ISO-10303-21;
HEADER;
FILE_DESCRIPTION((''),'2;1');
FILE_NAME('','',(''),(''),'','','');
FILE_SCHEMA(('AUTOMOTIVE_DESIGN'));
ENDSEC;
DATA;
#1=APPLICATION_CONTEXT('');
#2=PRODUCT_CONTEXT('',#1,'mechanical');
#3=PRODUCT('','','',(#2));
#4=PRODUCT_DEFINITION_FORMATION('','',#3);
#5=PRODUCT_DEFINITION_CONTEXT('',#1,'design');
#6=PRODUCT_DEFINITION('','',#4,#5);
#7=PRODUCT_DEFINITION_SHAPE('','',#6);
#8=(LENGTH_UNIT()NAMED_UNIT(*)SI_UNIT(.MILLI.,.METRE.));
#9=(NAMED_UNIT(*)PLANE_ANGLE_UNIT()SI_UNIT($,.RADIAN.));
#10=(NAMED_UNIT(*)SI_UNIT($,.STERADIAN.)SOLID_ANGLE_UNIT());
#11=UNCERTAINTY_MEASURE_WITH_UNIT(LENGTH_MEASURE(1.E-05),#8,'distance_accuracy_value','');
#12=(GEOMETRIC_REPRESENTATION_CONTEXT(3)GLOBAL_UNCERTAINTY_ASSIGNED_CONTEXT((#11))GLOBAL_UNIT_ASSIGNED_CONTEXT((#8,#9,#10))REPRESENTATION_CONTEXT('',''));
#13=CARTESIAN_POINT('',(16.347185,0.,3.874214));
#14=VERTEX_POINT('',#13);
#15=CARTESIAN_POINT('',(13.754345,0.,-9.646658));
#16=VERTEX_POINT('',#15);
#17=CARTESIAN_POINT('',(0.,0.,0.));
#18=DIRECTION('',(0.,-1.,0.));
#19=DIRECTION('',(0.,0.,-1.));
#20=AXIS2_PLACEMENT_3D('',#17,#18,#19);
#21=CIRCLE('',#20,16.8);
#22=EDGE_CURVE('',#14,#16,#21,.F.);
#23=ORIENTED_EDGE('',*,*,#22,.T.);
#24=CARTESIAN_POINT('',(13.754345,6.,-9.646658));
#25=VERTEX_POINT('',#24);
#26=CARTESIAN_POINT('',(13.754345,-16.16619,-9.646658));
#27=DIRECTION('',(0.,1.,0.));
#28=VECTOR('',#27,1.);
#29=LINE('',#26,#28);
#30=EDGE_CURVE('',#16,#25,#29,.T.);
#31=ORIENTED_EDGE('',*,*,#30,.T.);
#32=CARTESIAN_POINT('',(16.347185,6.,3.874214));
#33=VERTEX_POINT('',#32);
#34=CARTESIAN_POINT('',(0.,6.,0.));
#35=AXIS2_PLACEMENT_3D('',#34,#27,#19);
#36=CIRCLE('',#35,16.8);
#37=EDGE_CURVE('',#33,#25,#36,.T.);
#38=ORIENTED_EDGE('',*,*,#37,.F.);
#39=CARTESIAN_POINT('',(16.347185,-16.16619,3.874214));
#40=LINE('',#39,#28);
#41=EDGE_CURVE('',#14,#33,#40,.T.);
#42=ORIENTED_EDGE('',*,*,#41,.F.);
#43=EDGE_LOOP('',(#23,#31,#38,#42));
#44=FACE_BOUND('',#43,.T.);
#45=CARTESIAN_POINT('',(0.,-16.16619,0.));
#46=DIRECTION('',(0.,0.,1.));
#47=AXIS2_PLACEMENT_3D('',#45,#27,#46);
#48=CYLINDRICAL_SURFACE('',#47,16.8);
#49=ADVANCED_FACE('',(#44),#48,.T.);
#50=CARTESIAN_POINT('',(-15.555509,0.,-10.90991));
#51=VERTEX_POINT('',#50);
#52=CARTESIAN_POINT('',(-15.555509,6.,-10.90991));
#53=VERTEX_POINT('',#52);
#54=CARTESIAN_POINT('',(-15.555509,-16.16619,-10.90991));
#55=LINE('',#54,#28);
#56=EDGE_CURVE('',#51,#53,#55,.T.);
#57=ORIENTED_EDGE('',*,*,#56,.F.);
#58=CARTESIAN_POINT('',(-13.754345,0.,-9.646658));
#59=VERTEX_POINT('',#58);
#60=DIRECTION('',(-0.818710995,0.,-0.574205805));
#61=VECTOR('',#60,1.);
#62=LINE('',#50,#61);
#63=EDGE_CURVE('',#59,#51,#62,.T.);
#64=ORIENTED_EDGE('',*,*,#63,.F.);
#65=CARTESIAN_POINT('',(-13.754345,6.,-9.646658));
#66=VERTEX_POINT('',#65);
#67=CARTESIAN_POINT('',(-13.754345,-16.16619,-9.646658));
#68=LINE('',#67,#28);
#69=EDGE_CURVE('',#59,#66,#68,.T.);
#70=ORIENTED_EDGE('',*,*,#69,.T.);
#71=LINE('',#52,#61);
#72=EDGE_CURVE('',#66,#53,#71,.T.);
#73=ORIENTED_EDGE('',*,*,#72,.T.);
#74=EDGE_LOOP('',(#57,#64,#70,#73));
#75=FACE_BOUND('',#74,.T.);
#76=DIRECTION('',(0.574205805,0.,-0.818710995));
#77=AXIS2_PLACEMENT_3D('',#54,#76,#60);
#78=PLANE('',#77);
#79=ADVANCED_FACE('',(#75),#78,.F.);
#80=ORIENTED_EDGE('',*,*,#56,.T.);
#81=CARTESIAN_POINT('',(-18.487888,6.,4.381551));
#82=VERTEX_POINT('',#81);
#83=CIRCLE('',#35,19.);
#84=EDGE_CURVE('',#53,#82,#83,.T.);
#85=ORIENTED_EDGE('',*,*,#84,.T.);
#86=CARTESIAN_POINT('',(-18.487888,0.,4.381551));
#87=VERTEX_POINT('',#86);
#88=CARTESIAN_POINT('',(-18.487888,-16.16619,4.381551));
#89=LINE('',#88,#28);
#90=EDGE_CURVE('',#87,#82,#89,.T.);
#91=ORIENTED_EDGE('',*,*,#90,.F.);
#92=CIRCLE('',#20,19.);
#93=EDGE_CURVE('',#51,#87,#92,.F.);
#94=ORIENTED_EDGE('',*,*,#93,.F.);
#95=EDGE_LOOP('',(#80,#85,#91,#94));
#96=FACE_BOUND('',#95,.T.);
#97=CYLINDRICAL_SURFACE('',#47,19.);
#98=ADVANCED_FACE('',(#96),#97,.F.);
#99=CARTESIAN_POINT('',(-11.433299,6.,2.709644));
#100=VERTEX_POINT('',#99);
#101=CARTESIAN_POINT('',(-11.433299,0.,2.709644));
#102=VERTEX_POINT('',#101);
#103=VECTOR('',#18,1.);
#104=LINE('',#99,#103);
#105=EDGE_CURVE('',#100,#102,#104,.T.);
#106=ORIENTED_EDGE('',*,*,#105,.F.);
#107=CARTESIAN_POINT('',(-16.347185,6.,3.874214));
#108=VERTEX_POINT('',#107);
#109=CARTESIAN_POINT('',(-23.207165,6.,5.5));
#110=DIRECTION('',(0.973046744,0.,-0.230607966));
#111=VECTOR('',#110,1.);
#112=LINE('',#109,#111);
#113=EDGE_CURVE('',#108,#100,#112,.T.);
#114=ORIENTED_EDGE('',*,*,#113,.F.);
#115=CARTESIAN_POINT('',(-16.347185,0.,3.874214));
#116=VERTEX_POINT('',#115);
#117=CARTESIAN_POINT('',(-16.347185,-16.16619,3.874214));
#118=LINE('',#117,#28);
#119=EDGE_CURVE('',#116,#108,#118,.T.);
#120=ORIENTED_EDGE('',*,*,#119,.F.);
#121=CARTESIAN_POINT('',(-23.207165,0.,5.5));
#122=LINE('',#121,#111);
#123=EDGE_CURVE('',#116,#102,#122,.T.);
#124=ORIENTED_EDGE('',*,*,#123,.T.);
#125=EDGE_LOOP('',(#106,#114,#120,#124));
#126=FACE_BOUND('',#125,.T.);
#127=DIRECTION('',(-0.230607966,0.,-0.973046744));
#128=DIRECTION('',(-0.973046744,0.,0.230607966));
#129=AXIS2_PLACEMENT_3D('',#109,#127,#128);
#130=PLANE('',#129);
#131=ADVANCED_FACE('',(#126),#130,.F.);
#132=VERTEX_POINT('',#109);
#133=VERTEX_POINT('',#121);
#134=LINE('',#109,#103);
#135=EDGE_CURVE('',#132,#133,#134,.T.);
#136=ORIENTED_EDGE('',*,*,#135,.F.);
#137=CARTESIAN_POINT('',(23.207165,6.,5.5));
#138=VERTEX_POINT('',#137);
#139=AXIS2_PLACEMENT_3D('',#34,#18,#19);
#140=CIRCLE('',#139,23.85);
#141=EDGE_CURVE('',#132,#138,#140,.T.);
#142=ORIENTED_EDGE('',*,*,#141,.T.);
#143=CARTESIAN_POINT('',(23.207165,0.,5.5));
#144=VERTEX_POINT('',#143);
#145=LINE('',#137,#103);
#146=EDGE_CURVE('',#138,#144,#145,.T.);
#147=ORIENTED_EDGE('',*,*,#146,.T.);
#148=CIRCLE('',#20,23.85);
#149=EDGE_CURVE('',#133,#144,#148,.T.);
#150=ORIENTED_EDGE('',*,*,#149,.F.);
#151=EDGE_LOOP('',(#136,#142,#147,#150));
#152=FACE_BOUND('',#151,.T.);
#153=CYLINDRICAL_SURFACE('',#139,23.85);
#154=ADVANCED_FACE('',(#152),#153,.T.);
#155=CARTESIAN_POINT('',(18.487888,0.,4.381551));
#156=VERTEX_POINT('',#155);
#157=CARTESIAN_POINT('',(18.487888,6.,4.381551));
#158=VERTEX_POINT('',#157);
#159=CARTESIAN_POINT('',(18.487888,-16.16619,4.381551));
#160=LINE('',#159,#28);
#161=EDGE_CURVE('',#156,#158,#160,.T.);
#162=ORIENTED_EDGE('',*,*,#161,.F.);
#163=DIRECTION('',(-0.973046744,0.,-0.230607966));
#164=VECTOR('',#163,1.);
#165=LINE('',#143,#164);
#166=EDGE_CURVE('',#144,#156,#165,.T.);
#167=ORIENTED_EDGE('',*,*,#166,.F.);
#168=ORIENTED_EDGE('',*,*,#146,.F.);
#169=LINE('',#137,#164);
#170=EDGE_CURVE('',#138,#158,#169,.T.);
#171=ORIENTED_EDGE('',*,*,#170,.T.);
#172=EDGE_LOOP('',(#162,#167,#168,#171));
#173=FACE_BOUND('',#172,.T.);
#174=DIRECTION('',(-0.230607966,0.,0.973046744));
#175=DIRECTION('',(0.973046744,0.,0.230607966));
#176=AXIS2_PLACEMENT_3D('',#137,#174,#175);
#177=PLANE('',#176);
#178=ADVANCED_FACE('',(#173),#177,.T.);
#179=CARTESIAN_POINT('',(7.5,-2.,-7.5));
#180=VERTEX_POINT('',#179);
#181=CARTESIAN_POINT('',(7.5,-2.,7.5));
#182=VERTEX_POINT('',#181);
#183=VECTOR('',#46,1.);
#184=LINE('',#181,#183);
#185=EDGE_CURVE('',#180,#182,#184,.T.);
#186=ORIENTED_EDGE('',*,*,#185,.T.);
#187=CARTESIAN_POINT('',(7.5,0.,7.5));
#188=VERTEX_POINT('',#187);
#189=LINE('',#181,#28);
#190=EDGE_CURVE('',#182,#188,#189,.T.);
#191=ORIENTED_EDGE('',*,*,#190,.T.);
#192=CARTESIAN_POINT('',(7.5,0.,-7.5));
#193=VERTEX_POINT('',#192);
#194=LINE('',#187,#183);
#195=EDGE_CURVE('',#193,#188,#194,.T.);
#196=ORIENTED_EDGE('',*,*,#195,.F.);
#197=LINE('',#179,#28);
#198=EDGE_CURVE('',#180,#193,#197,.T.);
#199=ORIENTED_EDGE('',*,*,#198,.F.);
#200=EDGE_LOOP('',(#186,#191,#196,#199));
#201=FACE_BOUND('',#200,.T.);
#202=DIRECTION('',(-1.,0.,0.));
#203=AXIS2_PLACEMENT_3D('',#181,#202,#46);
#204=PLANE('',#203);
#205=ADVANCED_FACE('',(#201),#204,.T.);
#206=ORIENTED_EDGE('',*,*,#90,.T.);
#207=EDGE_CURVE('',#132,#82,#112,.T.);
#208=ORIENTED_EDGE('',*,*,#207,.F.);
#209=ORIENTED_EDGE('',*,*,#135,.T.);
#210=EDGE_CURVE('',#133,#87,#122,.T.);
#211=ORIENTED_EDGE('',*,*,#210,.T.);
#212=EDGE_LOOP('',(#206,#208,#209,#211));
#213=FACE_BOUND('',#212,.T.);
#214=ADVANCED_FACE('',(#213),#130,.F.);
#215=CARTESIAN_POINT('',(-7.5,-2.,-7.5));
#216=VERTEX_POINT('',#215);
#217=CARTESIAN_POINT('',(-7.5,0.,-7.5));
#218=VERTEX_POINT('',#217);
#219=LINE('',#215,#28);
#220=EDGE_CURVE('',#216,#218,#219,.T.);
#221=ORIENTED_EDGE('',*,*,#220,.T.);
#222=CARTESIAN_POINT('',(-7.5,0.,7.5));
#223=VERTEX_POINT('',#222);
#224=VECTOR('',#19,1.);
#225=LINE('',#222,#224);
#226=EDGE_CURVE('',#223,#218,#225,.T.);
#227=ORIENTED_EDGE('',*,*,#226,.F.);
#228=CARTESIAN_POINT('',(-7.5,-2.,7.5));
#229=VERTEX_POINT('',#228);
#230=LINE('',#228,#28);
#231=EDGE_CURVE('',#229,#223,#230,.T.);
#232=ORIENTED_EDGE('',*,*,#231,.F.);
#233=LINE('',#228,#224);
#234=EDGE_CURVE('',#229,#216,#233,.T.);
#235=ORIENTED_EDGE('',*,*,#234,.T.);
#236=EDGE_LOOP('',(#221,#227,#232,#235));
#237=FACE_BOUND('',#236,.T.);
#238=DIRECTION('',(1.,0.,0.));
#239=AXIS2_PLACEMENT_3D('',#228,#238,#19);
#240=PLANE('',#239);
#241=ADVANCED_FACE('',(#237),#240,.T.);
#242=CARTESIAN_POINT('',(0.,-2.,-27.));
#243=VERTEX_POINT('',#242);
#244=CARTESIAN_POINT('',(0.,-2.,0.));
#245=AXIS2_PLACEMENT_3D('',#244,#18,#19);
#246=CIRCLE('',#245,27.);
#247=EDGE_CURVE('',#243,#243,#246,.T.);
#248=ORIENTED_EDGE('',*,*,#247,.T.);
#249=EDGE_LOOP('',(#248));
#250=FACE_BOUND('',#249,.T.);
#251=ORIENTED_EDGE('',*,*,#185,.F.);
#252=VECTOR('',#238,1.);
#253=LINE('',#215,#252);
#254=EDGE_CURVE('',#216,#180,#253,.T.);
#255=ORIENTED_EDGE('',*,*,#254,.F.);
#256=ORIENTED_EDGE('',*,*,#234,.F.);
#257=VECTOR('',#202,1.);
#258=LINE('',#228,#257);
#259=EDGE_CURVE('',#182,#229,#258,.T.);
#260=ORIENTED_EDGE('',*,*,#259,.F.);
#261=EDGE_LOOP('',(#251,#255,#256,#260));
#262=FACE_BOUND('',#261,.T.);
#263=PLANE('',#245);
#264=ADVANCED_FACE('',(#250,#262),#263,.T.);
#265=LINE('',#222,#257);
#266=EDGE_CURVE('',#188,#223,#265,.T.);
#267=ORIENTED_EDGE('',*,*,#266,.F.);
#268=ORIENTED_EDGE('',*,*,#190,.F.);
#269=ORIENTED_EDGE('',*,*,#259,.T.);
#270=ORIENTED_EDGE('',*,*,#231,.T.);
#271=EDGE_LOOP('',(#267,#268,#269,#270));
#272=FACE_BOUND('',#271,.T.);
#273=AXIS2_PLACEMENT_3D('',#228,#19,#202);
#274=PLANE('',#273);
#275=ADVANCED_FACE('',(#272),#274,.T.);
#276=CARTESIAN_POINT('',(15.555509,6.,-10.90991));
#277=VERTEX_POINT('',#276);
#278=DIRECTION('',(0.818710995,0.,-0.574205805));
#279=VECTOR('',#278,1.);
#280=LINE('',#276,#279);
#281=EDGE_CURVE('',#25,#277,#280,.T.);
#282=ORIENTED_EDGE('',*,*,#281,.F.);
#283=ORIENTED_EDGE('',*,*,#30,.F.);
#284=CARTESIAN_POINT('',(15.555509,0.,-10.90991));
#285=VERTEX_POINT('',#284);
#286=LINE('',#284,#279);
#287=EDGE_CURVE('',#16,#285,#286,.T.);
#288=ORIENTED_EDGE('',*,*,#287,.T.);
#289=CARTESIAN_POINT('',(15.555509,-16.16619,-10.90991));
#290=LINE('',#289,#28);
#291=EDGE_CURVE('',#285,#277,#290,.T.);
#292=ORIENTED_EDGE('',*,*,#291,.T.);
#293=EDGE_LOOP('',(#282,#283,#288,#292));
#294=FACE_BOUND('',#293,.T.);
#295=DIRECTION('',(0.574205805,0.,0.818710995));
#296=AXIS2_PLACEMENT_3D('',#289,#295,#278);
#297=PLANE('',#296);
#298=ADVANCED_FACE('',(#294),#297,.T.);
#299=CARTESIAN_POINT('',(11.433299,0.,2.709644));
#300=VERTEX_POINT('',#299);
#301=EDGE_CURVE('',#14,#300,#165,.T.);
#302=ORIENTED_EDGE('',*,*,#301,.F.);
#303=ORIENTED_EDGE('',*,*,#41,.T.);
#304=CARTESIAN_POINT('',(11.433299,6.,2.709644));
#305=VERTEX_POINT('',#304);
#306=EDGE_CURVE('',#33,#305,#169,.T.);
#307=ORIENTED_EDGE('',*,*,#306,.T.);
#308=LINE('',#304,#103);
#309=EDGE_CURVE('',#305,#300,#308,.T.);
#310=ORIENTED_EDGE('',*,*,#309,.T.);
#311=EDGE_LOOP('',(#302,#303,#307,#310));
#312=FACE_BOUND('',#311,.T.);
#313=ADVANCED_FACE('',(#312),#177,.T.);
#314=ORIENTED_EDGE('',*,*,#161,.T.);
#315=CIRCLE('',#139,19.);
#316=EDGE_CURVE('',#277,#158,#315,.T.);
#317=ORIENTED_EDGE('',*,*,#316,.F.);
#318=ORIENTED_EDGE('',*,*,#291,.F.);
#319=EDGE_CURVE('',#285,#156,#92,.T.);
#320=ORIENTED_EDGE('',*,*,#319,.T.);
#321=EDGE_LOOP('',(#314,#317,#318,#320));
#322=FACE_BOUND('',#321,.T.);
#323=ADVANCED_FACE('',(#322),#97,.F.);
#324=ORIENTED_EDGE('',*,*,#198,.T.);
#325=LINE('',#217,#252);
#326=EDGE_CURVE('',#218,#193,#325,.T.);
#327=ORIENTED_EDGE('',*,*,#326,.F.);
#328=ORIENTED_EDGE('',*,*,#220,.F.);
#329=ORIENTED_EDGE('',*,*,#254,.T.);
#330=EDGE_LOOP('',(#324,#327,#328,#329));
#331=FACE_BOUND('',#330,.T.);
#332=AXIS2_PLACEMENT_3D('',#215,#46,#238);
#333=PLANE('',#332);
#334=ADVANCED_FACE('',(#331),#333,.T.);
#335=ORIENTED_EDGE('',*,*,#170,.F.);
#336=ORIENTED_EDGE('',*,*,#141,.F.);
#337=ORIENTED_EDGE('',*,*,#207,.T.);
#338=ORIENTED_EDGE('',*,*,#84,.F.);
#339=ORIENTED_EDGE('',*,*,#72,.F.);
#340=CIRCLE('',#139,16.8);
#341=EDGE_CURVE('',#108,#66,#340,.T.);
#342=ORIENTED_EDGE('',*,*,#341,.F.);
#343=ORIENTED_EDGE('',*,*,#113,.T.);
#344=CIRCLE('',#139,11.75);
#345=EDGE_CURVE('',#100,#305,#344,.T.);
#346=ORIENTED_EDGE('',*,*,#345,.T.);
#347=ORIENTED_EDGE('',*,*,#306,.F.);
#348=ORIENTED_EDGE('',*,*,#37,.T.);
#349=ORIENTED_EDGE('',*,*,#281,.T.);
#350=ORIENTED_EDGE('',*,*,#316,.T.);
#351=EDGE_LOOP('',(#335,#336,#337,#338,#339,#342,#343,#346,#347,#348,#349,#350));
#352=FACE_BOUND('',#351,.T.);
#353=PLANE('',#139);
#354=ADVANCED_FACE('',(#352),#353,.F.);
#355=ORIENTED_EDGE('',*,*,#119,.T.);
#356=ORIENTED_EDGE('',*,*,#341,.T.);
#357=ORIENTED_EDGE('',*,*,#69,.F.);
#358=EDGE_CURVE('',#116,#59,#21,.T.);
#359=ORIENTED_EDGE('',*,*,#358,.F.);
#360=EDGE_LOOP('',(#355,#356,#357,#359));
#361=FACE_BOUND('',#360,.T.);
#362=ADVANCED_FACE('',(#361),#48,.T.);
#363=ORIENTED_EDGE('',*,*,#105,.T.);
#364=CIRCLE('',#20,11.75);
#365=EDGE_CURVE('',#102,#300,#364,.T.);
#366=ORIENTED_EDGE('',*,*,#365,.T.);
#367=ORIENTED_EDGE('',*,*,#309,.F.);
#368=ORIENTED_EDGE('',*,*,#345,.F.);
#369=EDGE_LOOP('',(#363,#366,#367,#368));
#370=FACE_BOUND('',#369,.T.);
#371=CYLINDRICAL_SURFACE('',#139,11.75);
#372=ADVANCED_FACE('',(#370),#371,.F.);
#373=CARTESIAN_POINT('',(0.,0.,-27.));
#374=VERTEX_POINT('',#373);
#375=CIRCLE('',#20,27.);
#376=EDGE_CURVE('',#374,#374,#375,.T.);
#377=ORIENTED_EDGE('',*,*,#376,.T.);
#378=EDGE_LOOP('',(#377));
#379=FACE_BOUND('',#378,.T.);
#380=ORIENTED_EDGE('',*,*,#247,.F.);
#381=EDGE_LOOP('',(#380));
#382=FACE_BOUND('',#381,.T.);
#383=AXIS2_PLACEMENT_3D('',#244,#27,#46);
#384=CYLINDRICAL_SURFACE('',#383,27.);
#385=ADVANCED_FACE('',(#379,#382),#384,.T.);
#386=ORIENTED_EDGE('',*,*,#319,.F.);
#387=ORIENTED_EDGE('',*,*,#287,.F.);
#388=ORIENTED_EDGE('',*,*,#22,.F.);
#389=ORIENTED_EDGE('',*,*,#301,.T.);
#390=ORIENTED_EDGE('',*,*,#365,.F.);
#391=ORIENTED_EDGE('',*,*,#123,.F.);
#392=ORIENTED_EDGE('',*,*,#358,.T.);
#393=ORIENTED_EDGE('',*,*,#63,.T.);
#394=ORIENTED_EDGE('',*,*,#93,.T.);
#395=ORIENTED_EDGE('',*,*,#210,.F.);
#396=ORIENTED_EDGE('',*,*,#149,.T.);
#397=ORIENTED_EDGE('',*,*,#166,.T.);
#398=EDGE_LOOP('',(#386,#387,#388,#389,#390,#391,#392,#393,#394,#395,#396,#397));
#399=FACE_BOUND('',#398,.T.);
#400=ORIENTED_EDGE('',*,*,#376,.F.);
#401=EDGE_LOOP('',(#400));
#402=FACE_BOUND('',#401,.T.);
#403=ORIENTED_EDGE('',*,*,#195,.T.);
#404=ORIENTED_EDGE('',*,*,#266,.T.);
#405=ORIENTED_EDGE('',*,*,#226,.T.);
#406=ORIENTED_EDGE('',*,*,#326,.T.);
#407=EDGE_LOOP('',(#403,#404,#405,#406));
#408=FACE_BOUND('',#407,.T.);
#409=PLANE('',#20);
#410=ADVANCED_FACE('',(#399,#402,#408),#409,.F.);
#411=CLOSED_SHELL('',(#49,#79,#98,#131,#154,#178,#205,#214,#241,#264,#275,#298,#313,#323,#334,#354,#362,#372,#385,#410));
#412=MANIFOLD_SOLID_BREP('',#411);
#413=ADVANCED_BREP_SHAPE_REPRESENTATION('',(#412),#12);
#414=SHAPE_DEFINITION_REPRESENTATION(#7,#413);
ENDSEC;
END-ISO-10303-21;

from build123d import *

# Parameters (mm, degrees)
BOSS_EXTRUDE1_DEPTH = 6
SKETCH2_R           = 27
SKETCH2_W           = 15
SKETCH2_H           = 15
BOSS_EXTRUDE2_DEPTH = 2
CUT_EXTRUDE1_DEPTH  = 6


with BuildPart() as part:
    # Sketch1 → Boss-Extrude1 (new body)
    with BuildSketch(Plane(origin=(0, 0, 0), x_dir=(1, 0, 0), z_dir=(0, 1, 0))):
        with BuildLine():
            Line((-23.207164842, -5.5), (-11.433299241, -2.709643606))
            ThreePointArc((-11.433299241, -2.709643606), (0, 11.75), (11.433299241, -2.709643606))
            Line((11.433299241, -2.709643606), (23.207164842, -5.5))
            ThreePointArc((23.207164842, -5.5), (0, 23.85), (-23.207164842, -5.5))
        make_face()
    extrude(amount=BOSS_EXTRUDE1_DEPTH)

    # Sketch2 → Boss-Extrude2 (add)
    with BuildSketch(Plane.XZ):
        with Locations(Location((0, 0, 0), (0, 0, 270))):
            Circle(SKETCH2_R)
        Rectangle(SKETCH2_W, SKETCH2_H, mode=Mode.SUBTRACT)
    extrude(amount=BOSS_EXTRUDE2_DEPTH)

    # Sketch3 → Cut-Extrude1 (cut)
    with BuildSketch(Plane(origin=(0, 6, 0), x_dir=(1, 0, 0), z_dir=(0, 1, 0))):
        with BuildLine():
            Line((-15.555508902, 10.909910303), (-13.754344713, 9.646657531))
            ThreePointArc((-13.754344713, 9.646657531), (-16.499364166, 3.16401361), (-16.347185297, -3.874213836))
            Line((-16.347185297, -3.874213836), (-18.487888134, -4.381551363))
            ThreePointArc((-18.487888134, -4.381551363), (-18.659995187, 3.578348726), (-15.555508902, 10.909910303))
        make_face()
    cut_extrude1 = extrude(amount=-CUT_EXTRUDE1_DEPTH, mode=Mode.SUBTRACT)

    # Mirror1: Cut-Extrude1 across plane
    add(cut_extrude1.mirror(Plane(origin=(0, 0, 0), x_dir=(0, 0, 1), z_dir=(1, 0, 0))), mode=Mode.SUBTRACT)


solid = part.part
